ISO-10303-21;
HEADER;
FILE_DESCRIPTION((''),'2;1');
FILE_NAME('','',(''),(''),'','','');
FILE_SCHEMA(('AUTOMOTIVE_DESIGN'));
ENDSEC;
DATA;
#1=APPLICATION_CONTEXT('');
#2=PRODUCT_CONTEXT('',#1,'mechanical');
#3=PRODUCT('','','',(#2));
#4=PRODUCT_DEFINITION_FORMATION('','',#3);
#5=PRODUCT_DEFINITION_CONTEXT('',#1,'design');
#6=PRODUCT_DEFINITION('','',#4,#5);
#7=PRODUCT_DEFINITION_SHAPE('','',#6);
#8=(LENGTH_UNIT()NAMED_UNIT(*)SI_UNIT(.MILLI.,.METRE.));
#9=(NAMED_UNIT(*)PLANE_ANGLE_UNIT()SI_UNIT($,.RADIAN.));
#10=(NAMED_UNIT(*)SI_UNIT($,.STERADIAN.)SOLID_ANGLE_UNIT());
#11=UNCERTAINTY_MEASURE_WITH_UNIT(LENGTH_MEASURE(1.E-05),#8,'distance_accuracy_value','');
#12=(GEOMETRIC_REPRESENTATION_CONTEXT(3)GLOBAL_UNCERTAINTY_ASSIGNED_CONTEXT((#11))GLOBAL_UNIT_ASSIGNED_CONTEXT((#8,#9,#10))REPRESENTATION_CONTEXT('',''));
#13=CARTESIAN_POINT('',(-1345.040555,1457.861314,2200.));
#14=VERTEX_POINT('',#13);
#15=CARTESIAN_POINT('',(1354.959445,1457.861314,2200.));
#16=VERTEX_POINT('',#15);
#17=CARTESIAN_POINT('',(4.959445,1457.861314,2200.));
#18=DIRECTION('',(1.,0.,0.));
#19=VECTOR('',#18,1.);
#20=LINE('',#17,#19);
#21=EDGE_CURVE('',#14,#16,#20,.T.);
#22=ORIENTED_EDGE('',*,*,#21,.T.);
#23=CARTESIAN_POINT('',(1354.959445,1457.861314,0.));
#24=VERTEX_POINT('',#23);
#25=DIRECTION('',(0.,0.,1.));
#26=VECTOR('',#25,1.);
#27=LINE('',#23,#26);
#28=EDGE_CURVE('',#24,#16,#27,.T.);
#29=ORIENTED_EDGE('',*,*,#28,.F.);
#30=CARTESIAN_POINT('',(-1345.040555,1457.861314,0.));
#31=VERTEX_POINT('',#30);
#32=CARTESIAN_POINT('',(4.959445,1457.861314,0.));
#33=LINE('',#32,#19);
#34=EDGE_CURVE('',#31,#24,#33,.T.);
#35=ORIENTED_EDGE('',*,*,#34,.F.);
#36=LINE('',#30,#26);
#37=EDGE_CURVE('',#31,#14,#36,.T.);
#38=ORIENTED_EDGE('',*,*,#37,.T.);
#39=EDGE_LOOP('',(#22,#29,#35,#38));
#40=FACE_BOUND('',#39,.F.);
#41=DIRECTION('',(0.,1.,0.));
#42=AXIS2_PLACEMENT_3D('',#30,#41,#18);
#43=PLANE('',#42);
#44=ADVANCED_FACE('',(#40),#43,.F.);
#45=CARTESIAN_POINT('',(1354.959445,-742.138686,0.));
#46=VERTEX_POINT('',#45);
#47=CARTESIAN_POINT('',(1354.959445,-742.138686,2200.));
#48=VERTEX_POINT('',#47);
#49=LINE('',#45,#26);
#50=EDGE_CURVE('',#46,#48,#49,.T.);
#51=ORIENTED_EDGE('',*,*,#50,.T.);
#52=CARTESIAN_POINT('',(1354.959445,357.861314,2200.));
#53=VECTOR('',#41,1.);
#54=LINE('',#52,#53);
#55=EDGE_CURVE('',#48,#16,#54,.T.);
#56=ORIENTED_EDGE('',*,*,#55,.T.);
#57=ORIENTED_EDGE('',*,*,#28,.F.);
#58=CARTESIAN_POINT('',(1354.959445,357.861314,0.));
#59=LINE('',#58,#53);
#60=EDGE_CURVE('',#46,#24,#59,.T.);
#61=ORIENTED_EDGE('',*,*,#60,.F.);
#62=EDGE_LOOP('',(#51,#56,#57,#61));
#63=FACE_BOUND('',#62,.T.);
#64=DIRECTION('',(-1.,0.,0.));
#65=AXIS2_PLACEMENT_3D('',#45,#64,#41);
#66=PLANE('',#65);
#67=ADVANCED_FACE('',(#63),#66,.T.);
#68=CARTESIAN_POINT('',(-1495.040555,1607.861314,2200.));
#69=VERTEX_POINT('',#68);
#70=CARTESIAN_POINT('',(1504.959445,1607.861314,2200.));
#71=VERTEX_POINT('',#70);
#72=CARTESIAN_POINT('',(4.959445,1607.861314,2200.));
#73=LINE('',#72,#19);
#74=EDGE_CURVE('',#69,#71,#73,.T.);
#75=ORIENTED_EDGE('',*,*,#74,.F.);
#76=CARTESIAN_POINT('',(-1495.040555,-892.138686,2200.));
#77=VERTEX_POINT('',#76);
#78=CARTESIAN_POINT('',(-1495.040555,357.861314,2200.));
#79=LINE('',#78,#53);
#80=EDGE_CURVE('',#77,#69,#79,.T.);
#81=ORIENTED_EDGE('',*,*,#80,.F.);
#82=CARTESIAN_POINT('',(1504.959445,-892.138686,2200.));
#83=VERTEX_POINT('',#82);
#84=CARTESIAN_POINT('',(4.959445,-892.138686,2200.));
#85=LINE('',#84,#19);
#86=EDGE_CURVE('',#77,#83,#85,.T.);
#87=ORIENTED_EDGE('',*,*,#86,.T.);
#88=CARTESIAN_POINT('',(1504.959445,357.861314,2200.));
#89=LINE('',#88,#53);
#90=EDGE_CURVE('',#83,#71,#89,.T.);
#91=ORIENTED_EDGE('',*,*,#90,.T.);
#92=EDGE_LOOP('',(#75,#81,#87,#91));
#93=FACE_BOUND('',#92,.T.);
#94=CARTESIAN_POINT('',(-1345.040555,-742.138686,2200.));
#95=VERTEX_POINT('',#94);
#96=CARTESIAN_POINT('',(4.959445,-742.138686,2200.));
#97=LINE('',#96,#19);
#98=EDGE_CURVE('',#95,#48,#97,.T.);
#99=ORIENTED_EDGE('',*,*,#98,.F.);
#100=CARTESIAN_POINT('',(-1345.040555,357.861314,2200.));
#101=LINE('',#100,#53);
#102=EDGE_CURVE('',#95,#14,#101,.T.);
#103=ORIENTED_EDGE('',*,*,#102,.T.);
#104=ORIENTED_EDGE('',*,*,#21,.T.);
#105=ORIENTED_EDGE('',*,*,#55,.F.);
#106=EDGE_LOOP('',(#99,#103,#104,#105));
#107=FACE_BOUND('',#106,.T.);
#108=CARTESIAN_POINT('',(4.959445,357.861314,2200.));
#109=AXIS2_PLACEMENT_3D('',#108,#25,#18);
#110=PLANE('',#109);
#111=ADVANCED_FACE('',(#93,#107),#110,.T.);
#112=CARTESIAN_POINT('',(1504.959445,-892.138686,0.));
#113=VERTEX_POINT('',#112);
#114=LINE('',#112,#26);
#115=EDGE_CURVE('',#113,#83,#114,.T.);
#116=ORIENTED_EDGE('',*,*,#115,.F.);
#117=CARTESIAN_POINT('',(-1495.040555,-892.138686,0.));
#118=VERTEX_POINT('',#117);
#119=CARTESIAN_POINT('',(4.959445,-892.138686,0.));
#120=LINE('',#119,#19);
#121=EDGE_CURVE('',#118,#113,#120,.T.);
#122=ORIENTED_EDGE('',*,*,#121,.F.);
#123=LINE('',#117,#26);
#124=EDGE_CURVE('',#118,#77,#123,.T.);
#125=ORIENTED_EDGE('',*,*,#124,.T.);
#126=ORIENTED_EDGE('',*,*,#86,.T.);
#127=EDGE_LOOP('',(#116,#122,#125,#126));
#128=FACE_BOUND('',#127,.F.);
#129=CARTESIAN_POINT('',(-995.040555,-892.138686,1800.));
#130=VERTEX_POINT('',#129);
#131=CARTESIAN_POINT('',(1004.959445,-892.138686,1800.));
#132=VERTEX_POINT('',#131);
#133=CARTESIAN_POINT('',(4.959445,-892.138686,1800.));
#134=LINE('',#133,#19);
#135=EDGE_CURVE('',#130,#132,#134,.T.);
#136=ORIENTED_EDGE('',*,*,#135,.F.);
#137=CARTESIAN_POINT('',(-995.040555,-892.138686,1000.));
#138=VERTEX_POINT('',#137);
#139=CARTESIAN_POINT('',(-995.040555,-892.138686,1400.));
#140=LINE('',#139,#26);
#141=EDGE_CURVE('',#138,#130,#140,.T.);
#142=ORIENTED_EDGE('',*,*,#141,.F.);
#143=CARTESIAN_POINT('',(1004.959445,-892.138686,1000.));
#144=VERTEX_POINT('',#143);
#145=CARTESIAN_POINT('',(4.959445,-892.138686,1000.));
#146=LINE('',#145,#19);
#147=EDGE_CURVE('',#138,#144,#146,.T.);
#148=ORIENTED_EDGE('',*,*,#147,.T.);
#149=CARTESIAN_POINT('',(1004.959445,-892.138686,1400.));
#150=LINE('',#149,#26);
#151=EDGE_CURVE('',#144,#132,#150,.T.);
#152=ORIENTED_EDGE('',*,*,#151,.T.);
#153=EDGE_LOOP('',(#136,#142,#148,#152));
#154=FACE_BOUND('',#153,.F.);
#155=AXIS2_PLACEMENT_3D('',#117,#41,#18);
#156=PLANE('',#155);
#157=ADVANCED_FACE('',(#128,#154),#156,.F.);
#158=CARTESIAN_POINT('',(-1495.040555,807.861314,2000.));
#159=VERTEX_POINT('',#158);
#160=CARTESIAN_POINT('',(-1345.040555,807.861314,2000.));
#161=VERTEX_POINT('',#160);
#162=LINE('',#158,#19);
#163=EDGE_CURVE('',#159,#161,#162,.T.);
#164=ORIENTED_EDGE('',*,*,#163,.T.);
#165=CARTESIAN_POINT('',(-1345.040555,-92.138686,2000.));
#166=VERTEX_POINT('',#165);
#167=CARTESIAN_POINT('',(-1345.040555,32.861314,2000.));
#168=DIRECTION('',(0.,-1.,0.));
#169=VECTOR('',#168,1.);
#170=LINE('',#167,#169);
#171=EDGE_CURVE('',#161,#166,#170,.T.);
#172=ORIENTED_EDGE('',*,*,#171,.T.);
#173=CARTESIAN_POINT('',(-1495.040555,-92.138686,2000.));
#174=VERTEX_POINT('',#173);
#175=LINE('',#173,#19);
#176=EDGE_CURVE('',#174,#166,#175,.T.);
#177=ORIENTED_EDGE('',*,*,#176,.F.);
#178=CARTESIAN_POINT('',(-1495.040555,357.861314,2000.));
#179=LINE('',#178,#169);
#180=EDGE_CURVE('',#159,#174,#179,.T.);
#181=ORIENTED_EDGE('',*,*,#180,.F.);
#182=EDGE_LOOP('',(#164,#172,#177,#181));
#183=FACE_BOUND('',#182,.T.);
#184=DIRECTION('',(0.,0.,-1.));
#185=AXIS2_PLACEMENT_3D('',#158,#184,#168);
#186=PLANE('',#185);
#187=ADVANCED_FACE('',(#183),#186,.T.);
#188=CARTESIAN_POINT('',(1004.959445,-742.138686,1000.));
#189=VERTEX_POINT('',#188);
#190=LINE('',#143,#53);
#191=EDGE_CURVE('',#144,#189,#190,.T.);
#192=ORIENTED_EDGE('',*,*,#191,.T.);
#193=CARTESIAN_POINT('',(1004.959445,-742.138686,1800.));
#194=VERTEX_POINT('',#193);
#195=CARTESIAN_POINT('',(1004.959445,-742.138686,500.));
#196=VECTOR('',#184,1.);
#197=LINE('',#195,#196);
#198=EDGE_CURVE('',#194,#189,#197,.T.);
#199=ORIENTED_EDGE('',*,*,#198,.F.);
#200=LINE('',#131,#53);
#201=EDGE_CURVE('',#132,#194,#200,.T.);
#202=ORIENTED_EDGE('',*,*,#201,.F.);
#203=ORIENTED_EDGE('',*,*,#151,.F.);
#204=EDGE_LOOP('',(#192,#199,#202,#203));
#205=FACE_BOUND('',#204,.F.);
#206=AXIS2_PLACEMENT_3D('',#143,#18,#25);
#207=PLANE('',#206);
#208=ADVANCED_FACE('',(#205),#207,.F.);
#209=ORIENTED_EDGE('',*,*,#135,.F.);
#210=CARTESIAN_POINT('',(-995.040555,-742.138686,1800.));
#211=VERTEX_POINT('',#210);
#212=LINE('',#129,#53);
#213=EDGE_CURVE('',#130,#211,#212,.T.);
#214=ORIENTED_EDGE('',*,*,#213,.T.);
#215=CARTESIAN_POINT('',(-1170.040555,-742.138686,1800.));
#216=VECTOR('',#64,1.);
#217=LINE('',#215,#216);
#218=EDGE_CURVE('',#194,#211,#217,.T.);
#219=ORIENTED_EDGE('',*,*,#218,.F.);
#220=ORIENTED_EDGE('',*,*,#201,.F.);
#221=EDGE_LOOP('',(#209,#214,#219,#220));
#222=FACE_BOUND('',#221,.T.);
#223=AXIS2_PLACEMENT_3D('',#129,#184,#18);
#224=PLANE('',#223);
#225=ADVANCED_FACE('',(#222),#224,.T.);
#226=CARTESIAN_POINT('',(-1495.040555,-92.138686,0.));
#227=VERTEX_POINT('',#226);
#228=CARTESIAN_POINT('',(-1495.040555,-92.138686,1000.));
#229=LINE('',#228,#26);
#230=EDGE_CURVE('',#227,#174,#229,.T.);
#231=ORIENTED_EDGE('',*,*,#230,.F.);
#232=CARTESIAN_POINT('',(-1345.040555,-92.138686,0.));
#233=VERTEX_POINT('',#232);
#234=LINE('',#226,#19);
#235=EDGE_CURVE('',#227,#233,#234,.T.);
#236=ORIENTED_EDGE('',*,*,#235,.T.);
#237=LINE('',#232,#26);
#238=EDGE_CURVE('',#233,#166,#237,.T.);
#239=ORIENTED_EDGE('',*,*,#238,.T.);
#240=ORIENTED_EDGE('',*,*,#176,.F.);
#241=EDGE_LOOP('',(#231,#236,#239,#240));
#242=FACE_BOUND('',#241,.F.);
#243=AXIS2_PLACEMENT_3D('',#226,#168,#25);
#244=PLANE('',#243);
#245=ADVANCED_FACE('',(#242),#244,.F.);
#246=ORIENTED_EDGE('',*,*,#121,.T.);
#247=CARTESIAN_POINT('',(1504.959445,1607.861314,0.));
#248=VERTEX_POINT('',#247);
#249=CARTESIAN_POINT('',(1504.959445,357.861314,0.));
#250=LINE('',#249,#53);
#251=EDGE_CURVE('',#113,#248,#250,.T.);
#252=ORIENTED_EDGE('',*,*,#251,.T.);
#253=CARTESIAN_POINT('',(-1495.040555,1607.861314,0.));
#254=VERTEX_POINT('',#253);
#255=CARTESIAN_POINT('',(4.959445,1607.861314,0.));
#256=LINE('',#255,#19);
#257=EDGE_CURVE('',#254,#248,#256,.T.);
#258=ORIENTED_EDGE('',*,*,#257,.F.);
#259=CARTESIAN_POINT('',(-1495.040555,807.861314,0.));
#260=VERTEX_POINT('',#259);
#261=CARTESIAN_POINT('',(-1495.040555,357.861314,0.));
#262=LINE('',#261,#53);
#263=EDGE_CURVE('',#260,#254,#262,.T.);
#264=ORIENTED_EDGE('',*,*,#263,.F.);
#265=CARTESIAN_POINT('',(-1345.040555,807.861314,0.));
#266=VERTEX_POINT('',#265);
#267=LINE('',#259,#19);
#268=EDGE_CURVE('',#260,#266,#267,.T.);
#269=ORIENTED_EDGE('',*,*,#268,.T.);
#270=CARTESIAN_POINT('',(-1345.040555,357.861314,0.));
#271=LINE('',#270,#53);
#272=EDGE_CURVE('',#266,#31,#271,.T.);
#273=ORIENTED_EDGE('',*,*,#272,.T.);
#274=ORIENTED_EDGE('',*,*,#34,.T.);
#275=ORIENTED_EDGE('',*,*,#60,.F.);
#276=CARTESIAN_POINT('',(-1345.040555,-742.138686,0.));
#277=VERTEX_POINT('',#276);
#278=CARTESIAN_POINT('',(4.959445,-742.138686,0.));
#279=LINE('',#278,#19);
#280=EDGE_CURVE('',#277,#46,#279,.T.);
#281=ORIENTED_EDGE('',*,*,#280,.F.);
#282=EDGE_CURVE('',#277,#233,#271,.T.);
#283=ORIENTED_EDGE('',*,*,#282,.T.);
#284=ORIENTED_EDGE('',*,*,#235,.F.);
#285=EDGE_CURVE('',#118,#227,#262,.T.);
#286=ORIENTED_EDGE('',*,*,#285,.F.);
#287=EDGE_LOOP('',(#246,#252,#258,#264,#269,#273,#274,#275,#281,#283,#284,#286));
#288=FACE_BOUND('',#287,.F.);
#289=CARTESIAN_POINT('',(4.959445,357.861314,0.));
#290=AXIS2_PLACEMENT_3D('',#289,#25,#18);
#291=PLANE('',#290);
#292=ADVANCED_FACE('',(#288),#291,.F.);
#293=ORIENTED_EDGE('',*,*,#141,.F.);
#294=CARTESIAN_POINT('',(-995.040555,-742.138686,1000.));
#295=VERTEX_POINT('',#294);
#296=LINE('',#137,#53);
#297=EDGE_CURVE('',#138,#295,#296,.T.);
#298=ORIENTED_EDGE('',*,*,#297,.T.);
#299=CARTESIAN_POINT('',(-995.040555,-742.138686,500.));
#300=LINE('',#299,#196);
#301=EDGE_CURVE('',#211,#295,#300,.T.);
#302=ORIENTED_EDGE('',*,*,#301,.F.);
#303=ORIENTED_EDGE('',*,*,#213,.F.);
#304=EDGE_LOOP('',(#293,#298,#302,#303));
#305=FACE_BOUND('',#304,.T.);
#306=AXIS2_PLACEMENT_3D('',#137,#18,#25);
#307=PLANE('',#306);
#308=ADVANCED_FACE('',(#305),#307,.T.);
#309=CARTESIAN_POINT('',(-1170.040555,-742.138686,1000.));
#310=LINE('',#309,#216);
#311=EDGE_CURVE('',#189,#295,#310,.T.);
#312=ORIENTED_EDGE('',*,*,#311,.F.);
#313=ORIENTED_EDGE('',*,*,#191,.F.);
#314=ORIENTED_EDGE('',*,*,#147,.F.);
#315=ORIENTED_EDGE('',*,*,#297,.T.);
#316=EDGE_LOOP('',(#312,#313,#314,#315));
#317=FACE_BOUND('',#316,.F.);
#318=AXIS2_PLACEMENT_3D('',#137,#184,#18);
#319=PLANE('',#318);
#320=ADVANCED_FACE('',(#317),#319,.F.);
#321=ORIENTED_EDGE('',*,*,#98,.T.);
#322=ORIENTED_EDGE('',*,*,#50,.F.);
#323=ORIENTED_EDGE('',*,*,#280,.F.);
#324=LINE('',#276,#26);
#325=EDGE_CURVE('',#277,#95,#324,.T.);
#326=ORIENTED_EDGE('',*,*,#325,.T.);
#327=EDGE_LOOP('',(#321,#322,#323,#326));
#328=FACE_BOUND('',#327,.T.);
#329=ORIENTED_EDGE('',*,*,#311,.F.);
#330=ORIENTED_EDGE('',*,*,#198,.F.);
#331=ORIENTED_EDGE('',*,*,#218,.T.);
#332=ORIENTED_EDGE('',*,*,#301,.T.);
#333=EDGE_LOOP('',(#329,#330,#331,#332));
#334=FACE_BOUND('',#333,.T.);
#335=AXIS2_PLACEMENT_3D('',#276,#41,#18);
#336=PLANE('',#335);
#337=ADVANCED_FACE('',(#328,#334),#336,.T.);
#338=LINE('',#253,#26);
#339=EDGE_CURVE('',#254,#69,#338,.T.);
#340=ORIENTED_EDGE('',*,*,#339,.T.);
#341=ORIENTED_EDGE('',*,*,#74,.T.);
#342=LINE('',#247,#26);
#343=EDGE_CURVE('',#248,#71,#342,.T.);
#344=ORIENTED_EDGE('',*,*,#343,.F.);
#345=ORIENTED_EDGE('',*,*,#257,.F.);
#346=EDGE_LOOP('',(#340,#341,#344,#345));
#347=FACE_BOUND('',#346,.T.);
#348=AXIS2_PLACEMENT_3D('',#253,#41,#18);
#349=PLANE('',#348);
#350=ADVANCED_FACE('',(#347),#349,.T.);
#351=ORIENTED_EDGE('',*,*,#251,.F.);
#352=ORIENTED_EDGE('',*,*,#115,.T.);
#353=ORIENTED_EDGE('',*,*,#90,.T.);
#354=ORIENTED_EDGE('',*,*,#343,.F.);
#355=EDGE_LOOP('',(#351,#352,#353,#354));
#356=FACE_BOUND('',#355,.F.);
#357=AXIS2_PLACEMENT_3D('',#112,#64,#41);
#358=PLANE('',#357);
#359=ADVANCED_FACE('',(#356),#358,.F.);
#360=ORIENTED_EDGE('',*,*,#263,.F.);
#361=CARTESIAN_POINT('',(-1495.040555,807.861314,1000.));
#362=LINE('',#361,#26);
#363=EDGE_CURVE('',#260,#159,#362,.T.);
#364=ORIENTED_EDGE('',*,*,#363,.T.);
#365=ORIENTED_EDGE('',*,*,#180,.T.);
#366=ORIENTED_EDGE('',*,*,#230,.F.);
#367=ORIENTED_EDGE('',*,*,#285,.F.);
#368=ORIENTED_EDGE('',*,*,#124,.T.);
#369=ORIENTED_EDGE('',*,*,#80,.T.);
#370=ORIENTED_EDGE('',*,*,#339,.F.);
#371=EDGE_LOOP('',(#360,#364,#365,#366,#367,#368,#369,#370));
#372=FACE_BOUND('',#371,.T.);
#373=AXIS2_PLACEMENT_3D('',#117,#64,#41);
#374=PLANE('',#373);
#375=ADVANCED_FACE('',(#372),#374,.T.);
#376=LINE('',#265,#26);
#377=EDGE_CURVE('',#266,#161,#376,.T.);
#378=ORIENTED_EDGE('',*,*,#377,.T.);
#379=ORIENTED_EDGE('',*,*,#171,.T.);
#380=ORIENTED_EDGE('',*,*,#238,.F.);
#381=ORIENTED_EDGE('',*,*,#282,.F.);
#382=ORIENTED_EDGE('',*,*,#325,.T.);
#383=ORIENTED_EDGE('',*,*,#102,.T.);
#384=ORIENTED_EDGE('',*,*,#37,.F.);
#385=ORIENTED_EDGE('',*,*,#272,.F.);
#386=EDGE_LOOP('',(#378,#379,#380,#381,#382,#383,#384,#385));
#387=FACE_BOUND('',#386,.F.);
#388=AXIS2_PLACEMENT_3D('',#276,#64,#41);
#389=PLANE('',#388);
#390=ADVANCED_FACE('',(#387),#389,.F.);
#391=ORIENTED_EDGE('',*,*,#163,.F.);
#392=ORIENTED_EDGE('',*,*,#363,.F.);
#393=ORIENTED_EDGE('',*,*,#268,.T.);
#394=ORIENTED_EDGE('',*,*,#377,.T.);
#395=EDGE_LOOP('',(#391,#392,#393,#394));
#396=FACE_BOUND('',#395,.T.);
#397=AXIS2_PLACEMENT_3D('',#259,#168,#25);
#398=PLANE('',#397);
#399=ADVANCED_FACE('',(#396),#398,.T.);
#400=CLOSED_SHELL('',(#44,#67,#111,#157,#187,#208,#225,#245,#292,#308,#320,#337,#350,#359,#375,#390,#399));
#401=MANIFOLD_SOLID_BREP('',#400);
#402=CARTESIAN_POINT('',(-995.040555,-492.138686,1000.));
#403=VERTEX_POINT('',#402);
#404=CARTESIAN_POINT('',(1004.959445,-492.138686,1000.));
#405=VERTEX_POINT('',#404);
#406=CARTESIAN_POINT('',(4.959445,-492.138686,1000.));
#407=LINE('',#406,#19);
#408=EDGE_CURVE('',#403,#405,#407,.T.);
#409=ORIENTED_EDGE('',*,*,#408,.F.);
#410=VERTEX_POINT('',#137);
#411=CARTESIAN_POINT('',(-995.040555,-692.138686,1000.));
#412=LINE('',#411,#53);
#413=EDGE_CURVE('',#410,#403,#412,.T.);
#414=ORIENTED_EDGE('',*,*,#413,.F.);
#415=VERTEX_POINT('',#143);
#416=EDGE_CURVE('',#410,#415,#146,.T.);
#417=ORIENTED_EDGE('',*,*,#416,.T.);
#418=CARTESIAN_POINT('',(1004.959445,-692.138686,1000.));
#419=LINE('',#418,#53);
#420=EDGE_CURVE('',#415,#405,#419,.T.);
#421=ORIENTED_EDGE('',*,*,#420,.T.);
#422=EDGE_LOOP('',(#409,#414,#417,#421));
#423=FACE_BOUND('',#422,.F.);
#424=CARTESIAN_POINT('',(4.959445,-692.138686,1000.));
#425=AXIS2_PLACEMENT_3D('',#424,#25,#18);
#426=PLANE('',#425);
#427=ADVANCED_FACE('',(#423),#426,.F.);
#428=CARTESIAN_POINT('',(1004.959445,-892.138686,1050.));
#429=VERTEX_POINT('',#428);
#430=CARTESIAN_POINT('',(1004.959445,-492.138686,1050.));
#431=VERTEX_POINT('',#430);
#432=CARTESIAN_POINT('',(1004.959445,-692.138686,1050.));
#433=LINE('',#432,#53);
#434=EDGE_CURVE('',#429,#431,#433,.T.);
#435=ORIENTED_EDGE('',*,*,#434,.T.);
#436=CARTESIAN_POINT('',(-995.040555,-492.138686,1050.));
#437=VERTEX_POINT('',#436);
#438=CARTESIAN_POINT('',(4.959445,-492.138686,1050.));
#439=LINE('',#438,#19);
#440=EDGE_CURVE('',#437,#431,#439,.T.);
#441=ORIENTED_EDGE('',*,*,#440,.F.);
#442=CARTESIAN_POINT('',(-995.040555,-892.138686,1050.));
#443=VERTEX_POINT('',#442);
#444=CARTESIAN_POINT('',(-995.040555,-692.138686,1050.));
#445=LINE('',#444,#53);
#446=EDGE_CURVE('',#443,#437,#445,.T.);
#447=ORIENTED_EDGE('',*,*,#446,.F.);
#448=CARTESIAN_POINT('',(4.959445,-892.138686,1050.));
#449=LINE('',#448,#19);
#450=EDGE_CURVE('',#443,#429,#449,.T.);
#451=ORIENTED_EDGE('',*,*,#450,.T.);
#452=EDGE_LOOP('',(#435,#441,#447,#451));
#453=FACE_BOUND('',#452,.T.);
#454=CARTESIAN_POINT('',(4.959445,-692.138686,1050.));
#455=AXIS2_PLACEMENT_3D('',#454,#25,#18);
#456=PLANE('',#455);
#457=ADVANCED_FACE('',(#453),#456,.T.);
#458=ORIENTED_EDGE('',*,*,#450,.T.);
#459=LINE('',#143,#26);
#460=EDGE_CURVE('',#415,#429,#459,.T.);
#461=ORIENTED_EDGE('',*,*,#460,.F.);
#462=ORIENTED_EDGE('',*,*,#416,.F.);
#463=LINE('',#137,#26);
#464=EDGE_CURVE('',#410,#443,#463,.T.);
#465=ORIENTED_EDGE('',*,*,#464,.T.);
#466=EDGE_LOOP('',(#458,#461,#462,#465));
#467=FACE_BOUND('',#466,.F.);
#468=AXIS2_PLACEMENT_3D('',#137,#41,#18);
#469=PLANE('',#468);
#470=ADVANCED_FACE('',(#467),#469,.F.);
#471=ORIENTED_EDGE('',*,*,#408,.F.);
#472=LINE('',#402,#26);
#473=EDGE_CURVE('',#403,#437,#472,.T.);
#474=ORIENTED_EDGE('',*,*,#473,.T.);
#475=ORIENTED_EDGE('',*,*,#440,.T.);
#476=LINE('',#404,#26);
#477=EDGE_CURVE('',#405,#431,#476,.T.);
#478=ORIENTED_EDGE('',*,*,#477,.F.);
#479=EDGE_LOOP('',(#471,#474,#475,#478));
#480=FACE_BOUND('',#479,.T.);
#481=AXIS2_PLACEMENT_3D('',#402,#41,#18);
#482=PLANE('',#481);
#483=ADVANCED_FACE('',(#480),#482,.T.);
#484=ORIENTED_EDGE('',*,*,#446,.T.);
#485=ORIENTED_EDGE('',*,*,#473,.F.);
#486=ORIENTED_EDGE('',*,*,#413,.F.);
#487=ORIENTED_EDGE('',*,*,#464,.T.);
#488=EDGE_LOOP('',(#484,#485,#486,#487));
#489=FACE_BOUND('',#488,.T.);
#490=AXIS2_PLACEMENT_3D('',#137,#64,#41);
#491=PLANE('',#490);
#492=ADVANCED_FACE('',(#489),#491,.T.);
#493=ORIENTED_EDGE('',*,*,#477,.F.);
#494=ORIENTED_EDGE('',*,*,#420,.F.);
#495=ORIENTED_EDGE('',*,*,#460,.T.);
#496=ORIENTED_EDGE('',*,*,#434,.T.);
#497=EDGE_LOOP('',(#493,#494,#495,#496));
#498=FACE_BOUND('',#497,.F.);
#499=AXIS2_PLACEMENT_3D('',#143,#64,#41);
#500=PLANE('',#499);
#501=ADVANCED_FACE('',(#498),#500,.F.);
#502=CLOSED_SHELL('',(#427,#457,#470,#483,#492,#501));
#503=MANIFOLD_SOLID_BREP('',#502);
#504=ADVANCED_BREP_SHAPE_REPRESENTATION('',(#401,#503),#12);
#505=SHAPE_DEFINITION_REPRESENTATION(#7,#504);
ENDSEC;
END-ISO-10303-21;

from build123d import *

# Parameters (mm, degrees)
F0_W     = 3000
F0_H     = 2500
F0_W_2   = 2700
F0_H_2   = 2200
F1_DEPTH = 2200
F2_DEPTH = 2200
F3_W     = 2000
F3_H     = 800
F4_DEPTH = 300
F5_W     = 900
F5_H     = 2000
F6_DEPTH = 300
F7_W     = 2000
F7_H     = 400
F8_DEPTH = 50


with BuildPart() as f1:
    # F0 (on Top) → F1 (new body)
    with BuildSketch(Plane.XY):
        with Locations((4.959445, 357.861314)):
            Rectangle(F0_W, F0_H)
        with Locations((4.959445, 357.861314)):
            Rectangle(F0_W_2, F0_H_2, mode=Mode.SUBTRACT)
    extrude(amount=F1_DEPTH)

    # F0 (on Top) → F2 (join)
    with BuildSketch(Plane.XY):
        with Locations((4.959445, 357.861314)):
            Rectangle(F0_W, F0_H)
        with Locations((4.959445, 357.861314)):
            Rectangle(F0_W_2, F0_H_2, mode=Mode.SUBTRACT)
    extrude(amount=F2_DEPTH)

    # F3 (on face) → F4 (cut)
    with BuildSketch(Plane.XZ.offset(892.138686)):
        with Locations((4.959445, 1400)):
            Rectangle(F3_W, F3_H)
    extrude(amount=-F4_DEPTH, mode=Mode.SUBTRACT)

    # F5 (on face) → F6 (cut)
    with BuildSketch(Plane(origin=(-1495.040555, 0, 0), x_dir=(0, -1, 0), z_dir=(-1, 0, 0))):
        with Locations((-357.861314, 1000)):
            Rectangle(F5_W, F5_H)
    extrude(amount=-F6_DEPTH, mode=Mode.SUBTRACT)


with BuildPart() as f8:
    # F7 (on face) → F8 (new body)
    with BuildSketch(Plane.XY.offset(1000)):
        with Locations((4.959445, -692.138686)):
            Rectangle(F7_W, F7_H)
    extrude(amount=F8_DEPTH)


solid = Compound([f1.part, f8.part])
